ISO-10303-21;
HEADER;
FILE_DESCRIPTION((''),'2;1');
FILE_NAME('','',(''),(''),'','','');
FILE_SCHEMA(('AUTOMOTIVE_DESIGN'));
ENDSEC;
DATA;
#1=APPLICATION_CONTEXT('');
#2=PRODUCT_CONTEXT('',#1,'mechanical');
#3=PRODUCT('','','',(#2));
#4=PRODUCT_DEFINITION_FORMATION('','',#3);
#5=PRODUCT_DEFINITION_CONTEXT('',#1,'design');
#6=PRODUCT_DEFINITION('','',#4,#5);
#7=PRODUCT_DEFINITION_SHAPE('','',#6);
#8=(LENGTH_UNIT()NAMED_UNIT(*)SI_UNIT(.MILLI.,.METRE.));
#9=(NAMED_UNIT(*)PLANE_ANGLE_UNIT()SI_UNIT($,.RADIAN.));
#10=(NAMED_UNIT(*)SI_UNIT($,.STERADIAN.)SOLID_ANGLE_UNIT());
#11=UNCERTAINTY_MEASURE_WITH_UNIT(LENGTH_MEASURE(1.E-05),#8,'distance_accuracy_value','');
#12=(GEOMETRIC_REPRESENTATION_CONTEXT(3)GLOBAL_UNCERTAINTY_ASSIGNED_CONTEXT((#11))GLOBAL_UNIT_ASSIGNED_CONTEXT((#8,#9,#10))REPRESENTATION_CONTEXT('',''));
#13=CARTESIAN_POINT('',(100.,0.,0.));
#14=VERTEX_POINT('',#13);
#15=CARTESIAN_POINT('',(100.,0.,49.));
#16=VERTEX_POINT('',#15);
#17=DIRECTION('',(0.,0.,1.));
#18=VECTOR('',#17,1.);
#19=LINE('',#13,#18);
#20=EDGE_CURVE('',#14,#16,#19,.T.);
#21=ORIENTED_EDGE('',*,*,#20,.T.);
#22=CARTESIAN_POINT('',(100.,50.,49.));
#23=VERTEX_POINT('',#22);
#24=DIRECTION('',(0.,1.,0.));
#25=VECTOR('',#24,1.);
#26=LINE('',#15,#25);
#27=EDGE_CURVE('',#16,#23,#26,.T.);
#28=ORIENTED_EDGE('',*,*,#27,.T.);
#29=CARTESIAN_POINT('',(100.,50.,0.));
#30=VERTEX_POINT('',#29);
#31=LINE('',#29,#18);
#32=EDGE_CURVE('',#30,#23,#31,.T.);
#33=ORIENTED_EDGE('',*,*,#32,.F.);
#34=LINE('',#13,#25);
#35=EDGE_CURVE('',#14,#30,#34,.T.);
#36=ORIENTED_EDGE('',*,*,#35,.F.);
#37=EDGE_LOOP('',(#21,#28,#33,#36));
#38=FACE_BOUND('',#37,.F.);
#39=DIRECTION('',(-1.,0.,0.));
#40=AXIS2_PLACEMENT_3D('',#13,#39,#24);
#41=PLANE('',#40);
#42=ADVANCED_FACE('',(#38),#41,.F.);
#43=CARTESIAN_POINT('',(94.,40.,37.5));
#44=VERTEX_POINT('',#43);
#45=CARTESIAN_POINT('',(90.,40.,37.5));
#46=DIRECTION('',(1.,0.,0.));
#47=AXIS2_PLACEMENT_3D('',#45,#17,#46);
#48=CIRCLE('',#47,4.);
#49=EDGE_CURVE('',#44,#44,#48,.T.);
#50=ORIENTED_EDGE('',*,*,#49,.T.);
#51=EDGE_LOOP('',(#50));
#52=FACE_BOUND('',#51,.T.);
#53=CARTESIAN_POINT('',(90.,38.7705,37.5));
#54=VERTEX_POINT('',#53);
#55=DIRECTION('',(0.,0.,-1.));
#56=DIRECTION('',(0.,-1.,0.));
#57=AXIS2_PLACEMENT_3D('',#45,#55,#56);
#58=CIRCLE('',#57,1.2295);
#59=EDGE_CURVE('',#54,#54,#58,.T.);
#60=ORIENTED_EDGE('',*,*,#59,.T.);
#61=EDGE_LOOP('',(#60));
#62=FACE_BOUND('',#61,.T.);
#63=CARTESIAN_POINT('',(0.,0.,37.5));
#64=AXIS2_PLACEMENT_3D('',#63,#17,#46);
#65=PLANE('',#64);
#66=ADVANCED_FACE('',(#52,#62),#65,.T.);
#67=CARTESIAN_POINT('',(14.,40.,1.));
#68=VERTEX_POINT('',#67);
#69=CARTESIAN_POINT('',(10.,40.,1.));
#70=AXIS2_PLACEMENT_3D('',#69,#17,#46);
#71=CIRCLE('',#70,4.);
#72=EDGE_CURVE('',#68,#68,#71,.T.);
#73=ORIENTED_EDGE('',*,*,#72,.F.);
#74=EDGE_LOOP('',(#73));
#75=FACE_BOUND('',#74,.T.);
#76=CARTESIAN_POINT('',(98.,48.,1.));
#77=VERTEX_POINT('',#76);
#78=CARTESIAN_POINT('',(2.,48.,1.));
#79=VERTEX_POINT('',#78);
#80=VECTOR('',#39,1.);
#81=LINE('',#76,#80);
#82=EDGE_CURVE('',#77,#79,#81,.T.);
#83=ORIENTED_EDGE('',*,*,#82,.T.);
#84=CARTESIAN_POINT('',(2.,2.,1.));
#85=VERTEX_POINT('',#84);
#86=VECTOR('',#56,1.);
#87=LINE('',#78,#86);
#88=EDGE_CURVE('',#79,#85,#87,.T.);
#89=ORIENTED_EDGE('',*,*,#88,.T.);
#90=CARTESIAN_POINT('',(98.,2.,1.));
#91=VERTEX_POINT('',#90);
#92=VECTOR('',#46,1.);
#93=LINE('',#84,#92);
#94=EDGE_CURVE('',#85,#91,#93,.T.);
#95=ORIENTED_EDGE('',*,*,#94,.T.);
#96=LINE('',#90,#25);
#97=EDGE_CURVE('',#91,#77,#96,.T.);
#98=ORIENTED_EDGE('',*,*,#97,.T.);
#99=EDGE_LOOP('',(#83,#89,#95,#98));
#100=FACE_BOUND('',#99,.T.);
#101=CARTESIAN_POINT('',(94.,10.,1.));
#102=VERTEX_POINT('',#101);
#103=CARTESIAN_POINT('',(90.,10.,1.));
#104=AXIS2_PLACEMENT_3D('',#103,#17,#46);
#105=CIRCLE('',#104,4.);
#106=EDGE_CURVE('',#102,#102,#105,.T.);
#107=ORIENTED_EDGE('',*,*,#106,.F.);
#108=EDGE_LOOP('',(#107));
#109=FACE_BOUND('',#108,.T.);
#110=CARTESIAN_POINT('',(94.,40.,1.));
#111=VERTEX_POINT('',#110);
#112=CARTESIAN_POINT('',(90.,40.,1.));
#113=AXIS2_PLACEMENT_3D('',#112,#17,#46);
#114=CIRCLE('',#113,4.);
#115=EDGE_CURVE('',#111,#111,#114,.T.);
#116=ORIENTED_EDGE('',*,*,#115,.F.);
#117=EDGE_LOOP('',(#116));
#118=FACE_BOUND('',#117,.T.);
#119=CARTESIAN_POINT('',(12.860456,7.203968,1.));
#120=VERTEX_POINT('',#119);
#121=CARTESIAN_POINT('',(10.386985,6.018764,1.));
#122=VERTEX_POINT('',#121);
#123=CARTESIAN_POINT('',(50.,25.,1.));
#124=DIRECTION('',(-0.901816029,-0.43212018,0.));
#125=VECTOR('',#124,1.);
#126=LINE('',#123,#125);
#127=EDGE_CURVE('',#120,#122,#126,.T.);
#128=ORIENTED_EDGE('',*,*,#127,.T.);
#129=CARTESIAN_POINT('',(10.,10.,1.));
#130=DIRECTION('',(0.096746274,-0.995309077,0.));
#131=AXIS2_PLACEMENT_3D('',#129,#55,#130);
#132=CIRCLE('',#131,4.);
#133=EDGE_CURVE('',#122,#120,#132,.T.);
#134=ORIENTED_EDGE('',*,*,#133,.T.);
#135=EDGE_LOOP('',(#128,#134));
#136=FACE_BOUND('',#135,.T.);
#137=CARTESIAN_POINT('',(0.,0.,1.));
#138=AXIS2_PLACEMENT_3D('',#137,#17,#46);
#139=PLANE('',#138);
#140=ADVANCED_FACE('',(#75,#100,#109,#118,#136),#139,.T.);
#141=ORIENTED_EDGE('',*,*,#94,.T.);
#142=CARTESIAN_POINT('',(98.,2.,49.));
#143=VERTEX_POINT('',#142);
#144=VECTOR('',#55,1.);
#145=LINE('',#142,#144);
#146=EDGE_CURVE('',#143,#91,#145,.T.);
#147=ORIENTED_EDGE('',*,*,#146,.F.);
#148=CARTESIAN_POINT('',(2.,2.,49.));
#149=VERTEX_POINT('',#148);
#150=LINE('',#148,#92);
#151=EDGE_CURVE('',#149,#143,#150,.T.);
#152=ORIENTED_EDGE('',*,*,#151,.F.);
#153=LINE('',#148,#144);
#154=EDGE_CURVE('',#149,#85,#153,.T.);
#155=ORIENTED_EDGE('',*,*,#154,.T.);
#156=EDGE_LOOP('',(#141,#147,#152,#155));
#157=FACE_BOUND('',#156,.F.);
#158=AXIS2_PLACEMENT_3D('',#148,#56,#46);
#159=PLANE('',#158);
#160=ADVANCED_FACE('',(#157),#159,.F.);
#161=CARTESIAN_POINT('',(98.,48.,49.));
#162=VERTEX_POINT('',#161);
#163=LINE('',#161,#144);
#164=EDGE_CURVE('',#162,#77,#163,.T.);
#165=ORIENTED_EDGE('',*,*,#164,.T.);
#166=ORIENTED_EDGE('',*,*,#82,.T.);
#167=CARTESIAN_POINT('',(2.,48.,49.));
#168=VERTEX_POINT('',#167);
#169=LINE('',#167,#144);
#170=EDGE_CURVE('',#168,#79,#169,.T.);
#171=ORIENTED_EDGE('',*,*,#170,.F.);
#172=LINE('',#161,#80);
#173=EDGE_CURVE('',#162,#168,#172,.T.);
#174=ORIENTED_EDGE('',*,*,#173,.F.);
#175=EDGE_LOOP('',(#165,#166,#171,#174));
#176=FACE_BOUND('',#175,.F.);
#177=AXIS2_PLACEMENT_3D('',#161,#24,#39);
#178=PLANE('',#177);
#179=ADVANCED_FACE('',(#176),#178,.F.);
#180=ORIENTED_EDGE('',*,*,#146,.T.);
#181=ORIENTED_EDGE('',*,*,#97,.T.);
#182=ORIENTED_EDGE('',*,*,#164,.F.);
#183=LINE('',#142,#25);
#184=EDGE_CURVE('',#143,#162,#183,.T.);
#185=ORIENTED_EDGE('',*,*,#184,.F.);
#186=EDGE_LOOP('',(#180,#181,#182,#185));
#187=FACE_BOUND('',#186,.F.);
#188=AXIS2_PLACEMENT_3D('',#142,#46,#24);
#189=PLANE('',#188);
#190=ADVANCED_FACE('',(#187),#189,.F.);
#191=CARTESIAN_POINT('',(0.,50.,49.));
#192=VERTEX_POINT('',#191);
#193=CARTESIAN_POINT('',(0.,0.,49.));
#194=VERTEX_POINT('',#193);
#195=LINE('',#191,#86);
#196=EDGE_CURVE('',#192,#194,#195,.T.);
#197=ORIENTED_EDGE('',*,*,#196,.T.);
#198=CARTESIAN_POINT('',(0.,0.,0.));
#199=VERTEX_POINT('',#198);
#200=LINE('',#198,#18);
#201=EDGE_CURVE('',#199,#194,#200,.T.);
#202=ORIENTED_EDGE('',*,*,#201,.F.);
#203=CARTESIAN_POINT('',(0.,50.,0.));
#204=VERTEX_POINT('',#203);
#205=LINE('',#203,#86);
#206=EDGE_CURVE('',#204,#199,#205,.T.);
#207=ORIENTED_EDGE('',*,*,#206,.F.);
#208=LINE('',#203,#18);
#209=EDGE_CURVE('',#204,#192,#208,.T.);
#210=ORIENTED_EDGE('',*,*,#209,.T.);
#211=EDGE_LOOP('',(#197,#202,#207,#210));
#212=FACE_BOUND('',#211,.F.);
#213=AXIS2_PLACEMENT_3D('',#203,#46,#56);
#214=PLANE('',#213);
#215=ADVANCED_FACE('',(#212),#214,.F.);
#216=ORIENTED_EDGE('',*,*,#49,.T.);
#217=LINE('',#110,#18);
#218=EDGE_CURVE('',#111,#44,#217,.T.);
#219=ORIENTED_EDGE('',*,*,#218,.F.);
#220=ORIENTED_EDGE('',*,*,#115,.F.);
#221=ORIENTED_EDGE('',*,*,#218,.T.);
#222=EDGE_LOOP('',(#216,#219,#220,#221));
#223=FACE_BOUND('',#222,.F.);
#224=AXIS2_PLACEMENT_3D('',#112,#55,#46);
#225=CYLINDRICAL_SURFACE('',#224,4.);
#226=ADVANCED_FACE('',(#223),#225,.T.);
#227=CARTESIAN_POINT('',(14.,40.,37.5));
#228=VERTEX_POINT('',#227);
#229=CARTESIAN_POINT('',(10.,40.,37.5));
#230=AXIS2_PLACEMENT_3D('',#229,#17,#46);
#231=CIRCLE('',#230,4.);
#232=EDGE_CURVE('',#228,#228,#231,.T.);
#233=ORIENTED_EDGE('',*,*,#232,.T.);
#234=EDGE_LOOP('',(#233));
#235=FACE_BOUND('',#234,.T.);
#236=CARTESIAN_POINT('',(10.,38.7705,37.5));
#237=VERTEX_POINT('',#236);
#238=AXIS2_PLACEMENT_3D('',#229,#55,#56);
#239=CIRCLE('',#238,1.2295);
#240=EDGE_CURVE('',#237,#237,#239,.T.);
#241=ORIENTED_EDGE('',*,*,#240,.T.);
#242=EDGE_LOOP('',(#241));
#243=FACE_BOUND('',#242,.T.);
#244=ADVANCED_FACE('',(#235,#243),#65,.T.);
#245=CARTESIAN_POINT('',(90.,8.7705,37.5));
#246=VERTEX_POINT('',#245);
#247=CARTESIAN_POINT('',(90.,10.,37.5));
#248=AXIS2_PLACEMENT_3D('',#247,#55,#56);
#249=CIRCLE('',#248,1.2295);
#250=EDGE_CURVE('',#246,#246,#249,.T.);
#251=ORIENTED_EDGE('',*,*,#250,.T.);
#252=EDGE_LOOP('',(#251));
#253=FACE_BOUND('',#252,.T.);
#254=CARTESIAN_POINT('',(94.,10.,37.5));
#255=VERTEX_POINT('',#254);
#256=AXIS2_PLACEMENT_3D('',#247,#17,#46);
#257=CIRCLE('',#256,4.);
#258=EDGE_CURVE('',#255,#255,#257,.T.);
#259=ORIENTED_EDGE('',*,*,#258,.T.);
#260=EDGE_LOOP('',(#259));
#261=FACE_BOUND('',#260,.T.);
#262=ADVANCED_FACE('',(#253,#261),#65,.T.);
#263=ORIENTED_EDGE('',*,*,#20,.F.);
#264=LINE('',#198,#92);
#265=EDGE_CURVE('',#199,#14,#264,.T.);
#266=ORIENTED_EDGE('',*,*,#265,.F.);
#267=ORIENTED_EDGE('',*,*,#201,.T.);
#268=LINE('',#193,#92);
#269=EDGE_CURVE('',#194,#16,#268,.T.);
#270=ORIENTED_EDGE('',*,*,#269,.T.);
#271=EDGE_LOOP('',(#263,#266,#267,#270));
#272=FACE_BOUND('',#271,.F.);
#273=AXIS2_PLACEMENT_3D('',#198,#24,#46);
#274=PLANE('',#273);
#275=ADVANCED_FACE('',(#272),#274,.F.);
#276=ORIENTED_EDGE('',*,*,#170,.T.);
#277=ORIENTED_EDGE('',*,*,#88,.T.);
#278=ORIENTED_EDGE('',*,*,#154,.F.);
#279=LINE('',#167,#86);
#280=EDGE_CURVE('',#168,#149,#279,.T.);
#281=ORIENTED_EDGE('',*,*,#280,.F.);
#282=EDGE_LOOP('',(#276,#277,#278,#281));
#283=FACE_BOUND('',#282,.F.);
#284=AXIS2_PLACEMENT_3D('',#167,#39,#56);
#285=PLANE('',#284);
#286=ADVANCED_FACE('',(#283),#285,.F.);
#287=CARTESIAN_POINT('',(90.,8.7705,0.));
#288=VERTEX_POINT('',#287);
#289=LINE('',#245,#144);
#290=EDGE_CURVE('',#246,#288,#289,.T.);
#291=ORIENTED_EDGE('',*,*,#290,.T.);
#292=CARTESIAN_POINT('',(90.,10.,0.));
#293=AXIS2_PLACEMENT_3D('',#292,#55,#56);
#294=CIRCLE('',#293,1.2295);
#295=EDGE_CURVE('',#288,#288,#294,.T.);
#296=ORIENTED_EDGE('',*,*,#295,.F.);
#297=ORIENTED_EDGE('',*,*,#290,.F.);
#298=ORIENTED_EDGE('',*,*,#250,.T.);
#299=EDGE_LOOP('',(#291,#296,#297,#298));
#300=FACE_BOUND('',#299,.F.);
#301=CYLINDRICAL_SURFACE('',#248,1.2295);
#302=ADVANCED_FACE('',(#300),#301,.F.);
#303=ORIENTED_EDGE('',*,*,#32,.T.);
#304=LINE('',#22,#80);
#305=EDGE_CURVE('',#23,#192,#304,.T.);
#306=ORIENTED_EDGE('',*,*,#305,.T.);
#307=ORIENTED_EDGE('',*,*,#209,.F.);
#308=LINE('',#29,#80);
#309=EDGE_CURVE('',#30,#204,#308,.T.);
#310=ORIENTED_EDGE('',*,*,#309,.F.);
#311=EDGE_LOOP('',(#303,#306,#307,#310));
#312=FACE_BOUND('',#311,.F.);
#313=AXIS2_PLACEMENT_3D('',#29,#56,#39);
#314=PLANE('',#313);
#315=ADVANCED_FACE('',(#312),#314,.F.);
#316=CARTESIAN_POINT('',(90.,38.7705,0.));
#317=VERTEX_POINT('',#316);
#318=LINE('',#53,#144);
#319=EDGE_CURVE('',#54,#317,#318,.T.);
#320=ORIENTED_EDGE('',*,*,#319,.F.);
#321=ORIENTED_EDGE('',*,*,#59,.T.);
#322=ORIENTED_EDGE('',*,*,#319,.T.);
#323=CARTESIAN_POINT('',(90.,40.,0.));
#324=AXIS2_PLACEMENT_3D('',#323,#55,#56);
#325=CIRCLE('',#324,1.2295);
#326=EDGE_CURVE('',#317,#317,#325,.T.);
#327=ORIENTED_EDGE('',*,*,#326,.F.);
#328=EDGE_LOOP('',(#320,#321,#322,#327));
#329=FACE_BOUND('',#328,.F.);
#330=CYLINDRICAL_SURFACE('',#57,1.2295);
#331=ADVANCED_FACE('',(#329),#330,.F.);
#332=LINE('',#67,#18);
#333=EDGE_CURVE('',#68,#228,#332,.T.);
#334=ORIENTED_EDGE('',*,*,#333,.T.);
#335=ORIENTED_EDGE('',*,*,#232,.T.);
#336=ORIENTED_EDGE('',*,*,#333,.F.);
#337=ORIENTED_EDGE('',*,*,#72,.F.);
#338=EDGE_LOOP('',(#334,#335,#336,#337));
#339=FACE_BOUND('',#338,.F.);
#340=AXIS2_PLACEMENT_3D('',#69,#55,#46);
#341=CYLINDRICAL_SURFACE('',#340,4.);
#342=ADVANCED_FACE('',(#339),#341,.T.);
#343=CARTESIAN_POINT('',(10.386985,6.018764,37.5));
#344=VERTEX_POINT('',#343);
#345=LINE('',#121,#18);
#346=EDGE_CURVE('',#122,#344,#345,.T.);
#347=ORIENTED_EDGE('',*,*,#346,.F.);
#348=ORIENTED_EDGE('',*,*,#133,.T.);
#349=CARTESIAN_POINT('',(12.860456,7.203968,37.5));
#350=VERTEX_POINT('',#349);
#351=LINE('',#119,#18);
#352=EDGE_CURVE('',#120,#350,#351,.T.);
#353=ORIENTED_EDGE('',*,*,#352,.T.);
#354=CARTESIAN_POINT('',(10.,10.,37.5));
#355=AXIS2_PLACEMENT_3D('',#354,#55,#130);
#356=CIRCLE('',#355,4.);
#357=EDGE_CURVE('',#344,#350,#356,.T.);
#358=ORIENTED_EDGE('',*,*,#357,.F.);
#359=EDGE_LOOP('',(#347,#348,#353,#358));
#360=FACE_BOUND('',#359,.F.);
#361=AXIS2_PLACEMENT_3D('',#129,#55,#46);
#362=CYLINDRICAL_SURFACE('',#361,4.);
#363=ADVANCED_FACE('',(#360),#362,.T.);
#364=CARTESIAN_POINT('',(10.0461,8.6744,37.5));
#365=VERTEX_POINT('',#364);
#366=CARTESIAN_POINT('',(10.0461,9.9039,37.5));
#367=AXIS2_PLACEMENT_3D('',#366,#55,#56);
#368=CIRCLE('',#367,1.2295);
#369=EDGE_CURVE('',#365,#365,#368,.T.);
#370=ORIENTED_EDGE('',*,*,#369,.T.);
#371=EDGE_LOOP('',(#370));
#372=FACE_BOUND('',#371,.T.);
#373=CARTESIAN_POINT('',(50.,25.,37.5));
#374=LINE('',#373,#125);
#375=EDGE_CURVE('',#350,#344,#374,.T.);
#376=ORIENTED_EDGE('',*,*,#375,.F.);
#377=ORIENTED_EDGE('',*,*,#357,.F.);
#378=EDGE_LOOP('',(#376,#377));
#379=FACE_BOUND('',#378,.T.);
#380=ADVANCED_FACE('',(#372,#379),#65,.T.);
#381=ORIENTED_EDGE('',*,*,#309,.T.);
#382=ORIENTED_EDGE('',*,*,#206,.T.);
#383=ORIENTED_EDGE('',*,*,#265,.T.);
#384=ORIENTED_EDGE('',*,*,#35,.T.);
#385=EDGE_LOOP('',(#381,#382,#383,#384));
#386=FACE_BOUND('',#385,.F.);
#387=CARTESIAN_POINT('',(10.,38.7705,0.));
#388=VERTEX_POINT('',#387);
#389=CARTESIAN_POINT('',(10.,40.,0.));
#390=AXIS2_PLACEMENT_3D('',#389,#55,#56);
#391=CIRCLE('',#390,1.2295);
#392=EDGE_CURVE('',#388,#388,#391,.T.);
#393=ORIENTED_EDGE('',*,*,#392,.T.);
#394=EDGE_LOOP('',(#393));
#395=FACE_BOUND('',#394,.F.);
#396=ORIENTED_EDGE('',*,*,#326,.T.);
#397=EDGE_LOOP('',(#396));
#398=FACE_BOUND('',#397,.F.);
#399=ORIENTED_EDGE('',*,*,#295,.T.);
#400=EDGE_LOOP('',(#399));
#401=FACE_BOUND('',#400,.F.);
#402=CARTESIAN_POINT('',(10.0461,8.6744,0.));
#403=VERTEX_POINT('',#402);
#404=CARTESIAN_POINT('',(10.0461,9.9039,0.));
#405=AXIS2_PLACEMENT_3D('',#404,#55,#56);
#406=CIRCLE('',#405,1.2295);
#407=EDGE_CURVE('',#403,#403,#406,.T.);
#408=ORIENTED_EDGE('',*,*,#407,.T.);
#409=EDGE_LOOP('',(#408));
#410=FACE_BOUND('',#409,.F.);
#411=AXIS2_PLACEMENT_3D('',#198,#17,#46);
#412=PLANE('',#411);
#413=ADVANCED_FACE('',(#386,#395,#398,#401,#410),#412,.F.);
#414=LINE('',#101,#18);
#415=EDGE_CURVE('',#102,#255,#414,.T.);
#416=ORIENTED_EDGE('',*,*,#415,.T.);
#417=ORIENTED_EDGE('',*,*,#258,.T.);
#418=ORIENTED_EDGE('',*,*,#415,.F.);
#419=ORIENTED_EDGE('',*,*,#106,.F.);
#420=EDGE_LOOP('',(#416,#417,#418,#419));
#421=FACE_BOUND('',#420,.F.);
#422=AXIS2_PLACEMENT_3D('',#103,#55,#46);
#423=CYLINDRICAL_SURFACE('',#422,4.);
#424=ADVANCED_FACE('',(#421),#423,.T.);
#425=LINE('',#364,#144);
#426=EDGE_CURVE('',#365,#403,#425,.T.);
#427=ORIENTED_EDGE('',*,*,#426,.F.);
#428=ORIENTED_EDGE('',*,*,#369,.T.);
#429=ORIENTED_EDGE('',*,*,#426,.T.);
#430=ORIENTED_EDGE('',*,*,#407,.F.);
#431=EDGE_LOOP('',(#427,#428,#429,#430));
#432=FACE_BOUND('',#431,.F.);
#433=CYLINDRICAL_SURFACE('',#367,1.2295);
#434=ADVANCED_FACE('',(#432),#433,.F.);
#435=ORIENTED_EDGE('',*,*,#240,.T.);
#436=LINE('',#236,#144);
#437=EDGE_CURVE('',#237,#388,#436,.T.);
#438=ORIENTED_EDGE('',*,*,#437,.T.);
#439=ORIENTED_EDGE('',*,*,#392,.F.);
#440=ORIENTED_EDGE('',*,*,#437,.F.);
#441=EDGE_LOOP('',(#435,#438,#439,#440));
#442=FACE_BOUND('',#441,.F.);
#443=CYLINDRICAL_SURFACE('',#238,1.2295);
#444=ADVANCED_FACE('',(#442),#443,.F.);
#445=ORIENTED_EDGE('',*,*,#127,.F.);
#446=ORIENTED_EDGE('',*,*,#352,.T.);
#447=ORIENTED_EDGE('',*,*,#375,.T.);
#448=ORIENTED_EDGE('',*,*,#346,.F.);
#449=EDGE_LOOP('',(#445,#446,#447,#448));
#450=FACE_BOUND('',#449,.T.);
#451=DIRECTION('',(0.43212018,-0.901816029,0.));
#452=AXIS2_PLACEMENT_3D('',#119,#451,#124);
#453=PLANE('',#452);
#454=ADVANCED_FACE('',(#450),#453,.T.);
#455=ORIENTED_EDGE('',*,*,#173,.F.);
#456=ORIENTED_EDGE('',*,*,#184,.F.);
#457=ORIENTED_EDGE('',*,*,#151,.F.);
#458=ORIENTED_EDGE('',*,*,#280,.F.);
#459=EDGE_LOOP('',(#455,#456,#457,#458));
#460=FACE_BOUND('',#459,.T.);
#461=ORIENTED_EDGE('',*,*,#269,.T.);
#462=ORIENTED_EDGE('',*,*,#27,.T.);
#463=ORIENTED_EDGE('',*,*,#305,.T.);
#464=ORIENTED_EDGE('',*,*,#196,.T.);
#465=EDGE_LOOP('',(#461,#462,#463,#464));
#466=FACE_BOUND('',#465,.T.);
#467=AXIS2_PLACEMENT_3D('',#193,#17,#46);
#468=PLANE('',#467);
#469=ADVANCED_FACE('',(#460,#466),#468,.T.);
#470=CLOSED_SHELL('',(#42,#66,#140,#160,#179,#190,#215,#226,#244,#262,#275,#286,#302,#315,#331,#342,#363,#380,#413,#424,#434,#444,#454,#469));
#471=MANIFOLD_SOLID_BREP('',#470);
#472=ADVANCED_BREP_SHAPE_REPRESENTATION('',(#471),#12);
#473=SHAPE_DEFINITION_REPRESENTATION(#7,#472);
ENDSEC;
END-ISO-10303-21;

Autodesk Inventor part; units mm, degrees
ref_plane "YZ Plane" through (0, 0, 0) normal (1, 0, 0) x (0, 1, 0)
ref_plane "XZ Plane" through (0, 0, 0) normal (0, 1, 0) x (-1, 0, 0)
ref_plane "XY Plane" through (0, 0, 0) normal (0, 0, 1) x (1, 0, 0)
sketch "Náčrt1" plane through (0, 0, 0) normal (0, 0, 1) x (1, 0, 0)
  line L0 (0, 0) -> (100, 0)
  line L1 (100, 0) -> (100, 50)
  line L2 (100, 50) -> (0, 50)
  line L3 (0, 50) -> (0, 0)
  dimension "d0" = 100
  dimension "d1" = 50
extrude "Vysunutí1" add sketch "Náčrt1" along normal blind 49
sketch "Náčrt2" plane through (0, 0, 49) normal (0, 0, 1) x (1, 0, 0)
  line L0 (2, 2) -> (98, 2)
  line L1 (98, 2) -> (98, 48)
  line L2 (98, 48) -> (2, 48)
  line L3 (2, 48) -> (2, 2)
  point P0 (0, 0)
  dimension "d4" = 96
  dimension "d5" = 46
extrude "Vysunutí2" cut sketch "Náčrt2" against normal blind 48
sketch "Náčrt3" plane through (0, 0, 1) normal (0, 0, 1) x (1, 0, 0)
  circle A0 centre (10, 10) radius 4
  line L0 (98, 48) -> (98, 2) projected
  line L1 (2, 48) -> (98, 48) projected
  line L2 (2, 2) -> (2, 48) projected
  line L3 (98, 2) -> (2, 2) projected
  circle A1 centre (10, 40) radius 4
  circle A2 centre (90, 10) radius 4
  circle A3 centre (90, 40) radius 4
  line L4 (98, 2) -> (2, 2) projected
  line L5 (50, 25) -> (2, 2)
  point P0 (0, 0)
  point P1 (10.387, 6.0188)
  point P2 (12.8605, 7.204)
  dimension "d8" = 8
  dimension "d11" = 30
  dimension "d14" = 80
  dimension "d19" = 25.602
  dimension "d20" = 40
  dimension "d22" = 15
  dimension "d23" = 48
extrude "Vysunutí3" add sketch "Náčrt3" along normal blind 36.5 contours A0 L5 | A1 | A2 | A3 picked at (11.6868, 9.0428)
hole "Díra1" at (10.0461, 9.9039, 37.5) direction (0, 0, -1) diameter 2.459 end through all thread size "M3x0.5" class "6H" standard "ISO Metric profile"
sketch "Náčrt4" plane through (0, 0, 0) normal (0, 0, -1) x (-1, 0, 0)
  point P0 (0, 0)
hole "Díra2" at (90, 40, 37.5) direction (0, 0, -1) diameter 2.459 end through all thread size "M3x0.5" class "6H" standard "ISO Metric profile"
hole "Díra3" at (90, 10, 37.5) direction (0, 0, -1) diameter 2.459 end through all thread size "M3x0.5" class "6H" standard "ISO Metric profile"
hole "Díra4" at (10, 40, 37.5) direction (0, 0, -1) diameter 2.459 end through all thread size "M3x0.5" class "6H" standard "ISO Metric profile"
equation "\"d22\" = 0.5 * d11"
properties part number "bottom"
